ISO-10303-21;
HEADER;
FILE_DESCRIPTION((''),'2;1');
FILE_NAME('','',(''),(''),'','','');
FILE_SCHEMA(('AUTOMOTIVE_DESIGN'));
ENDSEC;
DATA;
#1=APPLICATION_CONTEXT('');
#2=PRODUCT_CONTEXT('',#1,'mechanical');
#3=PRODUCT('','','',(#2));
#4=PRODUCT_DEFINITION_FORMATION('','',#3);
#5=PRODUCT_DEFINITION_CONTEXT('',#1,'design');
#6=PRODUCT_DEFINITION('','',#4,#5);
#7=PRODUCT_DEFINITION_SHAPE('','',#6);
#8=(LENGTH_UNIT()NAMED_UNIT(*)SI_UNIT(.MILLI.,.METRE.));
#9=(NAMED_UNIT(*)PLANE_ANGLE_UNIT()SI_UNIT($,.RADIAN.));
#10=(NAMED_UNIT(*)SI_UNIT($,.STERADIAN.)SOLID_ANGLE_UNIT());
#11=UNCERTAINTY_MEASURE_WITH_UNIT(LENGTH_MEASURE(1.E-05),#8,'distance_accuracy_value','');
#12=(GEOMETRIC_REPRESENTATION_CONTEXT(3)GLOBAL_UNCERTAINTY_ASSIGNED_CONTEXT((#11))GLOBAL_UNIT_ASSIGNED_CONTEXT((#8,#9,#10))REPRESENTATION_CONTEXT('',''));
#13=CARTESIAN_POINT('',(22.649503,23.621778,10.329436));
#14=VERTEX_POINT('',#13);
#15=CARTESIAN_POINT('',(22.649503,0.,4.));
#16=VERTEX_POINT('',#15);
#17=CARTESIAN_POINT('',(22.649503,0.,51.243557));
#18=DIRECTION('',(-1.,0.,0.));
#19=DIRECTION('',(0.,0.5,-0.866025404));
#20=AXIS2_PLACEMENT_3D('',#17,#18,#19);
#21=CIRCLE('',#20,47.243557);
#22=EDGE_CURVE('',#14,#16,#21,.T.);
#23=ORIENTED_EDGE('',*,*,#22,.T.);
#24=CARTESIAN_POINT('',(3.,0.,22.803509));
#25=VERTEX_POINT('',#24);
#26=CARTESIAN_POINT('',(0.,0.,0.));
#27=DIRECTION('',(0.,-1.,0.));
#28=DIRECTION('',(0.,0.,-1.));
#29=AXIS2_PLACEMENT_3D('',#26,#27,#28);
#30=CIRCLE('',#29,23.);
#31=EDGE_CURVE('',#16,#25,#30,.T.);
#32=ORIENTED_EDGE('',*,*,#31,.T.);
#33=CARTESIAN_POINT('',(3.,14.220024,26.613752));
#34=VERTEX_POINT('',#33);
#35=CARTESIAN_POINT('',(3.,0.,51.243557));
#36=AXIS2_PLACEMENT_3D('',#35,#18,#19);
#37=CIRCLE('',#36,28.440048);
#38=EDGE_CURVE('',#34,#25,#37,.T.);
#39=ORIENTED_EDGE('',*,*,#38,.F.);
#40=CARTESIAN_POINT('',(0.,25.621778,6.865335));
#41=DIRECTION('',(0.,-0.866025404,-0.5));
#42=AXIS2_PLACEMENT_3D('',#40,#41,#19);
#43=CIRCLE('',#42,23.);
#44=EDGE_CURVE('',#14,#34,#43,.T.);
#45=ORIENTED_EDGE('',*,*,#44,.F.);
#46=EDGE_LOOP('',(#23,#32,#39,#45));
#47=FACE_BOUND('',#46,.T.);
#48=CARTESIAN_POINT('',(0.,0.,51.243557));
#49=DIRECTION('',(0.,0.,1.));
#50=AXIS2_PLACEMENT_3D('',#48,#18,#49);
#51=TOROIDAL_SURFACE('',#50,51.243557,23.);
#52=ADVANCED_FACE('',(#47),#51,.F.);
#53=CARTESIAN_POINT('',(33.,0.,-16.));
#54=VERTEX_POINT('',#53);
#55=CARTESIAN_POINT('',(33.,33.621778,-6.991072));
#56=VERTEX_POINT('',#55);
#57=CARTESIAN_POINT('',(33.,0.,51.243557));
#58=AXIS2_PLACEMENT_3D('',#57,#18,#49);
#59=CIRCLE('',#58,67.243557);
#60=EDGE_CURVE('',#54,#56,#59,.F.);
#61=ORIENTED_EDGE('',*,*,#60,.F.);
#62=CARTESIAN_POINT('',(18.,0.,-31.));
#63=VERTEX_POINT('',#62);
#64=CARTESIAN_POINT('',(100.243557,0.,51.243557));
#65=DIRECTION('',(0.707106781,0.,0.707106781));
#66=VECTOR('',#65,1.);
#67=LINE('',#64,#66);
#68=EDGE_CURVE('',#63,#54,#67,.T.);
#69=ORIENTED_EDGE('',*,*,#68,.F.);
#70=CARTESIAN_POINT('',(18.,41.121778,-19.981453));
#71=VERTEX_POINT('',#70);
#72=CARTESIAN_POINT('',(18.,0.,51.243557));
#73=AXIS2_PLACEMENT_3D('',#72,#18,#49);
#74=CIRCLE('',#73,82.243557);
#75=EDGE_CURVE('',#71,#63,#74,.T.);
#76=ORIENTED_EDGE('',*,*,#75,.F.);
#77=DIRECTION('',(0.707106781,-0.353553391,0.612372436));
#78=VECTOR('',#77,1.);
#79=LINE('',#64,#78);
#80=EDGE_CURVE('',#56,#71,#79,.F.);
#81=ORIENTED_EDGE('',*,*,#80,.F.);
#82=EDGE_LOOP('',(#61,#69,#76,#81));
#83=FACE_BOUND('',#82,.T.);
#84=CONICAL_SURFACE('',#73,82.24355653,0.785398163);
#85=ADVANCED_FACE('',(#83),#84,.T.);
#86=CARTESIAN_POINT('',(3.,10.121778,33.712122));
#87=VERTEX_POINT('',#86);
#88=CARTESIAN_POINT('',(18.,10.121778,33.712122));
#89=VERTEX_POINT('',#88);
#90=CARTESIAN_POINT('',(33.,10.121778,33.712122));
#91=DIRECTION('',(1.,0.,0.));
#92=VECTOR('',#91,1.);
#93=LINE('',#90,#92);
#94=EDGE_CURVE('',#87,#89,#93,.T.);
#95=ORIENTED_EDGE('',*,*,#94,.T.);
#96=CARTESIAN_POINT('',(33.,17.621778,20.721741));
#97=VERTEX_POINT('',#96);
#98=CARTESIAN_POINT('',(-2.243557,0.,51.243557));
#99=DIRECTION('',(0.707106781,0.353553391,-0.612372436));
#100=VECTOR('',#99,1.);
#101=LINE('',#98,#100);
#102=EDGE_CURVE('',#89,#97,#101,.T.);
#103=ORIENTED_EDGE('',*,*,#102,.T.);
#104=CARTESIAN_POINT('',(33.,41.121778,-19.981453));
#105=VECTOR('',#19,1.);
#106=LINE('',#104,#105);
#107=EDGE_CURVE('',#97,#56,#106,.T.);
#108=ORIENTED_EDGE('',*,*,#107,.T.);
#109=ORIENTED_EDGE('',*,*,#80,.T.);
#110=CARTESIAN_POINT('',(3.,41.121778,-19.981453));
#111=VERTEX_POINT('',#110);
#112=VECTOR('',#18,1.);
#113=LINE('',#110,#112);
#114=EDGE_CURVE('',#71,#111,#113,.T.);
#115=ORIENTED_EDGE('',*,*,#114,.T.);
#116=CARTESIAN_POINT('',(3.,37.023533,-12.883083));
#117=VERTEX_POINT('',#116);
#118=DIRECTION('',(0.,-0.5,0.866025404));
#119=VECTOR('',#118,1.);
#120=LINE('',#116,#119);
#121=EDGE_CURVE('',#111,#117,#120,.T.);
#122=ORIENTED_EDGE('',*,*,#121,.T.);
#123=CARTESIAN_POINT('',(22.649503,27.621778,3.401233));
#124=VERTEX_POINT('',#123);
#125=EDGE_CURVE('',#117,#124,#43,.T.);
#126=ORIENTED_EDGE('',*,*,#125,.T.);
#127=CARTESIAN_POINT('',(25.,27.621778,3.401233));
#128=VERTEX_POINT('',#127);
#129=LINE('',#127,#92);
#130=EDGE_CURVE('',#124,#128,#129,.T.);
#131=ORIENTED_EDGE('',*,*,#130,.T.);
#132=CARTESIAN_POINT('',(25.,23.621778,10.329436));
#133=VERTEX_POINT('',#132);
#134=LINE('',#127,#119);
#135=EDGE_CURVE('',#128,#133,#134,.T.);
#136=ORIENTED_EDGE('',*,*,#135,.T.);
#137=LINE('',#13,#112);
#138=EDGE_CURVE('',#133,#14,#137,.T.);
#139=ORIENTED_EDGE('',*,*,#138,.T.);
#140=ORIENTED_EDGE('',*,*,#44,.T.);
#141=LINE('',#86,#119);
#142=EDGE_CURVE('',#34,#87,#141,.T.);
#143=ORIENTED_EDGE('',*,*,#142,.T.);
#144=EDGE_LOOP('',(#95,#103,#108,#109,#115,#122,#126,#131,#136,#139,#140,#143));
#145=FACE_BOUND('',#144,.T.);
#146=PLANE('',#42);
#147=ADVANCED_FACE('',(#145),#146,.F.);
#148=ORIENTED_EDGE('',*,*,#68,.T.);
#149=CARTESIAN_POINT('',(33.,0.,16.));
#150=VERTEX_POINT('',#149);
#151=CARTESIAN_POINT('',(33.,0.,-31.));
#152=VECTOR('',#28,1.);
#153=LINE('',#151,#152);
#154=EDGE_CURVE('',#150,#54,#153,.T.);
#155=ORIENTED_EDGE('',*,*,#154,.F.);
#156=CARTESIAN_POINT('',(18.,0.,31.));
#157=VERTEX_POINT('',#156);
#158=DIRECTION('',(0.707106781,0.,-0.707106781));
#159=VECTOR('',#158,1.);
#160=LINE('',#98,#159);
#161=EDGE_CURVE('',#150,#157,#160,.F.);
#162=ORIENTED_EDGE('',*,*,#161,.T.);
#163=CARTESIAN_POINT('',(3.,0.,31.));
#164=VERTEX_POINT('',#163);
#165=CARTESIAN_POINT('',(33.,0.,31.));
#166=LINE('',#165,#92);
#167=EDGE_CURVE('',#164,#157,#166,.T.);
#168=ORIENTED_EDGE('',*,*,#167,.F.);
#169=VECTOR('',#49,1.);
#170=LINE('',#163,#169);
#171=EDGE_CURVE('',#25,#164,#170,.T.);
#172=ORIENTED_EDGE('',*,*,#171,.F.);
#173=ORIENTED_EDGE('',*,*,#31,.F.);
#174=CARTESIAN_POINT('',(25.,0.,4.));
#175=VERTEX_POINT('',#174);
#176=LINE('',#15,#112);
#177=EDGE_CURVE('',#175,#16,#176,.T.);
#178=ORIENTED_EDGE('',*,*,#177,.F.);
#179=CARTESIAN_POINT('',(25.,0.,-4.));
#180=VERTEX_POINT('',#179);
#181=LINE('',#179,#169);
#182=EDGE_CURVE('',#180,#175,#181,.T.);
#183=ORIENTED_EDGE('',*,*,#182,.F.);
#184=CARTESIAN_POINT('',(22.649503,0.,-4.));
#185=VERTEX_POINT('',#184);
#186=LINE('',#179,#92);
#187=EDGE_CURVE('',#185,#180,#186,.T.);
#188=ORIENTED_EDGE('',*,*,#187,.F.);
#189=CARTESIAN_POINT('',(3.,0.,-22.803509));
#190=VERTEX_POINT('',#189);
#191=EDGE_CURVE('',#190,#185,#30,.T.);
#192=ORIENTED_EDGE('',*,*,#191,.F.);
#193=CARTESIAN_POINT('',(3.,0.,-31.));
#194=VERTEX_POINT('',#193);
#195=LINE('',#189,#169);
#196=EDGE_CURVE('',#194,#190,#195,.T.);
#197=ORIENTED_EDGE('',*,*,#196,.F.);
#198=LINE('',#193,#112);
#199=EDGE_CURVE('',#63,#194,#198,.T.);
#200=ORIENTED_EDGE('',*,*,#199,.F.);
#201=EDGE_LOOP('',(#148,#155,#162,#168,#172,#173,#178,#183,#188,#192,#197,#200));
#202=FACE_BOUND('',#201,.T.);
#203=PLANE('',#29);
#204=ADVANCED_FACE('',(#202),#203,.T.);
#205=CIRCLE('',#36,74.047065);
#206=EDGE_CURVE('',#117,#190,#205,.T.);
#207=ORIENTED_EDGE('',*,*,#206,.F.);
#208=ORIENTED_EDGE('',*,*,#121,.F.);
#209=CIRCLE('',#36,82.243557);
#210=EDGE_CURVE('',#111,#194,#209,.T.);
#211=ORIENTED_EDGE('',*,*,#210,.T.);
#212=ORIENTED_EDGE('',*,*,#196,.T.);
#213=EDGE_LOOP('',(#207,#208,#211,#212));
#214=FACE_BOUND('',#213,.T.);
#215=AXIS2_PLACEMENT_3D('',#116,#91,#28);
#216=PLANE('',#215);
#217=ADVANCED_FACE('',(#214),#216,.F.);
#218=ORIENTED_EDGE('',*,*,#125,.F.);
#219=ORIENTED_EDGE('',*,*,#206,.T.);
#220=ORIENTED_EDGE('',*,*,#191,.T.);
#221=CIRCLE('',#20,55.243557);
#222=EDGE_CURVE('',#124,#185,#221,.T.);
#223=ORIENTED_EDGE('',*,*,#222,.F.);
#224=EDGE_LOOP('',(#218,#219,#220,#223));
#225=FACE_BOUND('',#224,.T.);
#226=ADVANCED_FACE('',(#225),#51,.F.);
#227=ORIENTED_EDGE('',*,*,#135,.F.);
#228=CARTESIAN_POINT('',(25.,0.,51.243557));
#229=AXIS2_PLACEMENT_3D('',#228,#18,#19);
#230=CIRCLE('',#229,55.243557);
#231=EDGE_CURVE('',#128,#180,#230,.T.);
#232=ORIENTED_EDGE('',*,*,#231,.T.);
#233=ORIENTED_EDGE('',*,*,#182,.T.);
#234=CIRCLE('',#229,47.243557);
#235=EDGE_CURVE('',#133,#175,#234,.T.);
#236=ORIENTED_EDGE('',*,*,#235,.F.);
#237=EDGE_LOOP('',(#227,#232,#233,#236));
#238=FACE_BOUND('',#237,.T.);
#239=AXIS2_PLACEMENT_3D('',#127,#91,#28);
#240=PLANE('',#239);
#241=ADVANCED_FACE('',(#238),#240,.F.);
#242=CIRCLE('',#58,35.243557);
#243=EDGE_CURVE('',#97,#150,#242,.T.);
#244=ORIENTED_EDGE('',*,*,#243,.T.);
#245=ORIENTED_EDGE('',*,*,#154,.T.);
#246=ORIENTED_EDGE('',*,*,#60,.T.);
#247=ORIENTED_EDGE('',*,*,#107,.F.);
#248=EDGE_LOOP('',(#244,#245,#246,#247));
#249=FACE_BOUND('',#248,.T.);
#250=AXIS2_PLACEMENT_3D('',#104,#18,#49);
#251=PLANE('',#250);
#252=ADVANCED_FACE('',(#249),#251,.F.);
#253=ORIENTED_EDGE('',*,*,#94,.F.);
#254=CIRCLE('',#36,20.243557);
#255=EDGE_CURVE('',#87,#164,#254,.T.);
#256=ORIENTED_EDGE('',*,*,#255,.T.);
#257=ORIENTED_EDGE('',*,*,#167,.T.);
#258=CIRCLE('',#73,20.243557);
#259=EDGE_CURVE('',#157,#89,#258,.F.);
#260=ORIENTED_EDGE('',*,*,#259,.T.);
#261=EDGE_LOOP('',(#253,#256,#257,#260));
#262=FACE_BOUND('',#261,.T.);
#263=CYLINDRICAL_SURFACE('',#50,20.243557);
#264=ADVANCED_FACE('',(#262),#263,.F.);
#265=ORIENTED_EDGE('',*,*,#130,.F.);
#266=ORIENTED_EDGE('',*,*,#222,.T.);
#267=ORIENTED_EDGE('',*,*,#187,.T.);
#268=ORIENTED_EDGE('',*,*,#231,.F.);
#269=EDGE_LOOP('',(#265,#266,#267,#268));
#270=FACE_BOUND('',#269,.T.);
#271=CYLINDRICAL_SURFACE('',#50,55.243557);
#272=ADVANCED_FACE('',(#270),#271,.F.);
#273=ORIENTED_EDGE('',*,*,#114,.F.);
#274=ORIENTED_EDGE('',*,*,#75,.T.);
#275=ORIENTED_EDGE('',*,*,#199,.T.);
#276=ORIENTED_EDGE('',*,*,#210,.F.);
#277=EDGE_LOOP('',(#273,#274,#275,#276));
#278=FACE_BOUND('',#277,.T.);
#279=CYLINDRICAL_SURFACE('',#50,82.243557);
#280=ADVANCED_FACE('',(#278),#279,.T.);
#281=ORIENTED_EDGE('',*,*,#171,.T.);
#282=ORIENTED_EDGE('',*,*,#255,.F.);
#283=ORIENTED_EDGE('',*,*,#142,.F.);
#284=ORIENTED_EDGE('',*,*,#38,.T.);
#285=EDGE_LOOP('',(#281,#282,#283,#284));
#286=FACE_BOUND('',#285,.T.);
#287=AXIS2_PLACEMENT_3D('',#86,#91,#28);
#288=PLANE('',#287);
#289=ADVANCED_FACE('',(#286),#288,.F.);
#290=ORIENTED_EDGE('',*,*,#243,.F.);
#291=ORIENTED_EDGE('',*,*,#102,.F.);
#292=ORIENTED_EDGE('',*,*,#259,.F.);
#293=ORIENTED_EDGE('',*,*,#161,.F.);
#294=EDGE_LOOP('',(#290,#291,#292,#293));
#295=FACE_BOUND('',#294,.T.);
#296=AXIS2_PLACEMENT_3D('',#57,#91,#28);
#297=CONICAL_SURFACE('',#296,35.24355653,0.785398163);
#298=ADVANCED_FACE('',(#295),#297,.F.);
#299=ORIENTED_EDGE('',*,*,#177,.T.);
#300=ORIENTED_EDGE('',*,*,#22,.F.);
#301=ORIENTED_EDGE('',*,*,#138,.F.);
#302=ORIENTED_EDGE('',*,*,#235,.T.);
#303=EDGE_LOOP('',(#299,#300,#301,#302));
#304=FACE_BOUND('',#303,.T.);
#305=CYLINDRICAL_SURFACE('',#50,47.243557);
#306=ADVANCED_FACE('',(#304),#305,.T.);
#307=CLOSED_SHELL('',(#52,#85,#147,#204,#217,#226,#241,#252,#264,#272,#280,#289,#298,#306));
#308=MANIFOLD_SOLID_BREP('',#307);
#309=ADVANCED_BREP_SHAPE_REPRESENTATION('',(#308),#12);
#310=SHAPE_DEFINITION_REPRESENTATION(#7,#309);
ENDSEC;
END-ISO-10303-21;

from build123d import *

# Parameters (mm, degrees)
CHAMFER1_SIZE = 15


with BuildPart() as part:
    # Sweep3: sweep along a path in Sketch1
    with BuildLine(Plane(origin=(0, 0, 0), x_dir=(0, 0, -1), z_dir=(1, 0, 0))) as sweep3_path:
        ThreePointArc((-6.865334795, 25.621778265), (-1.746081847, 13.262808369), (0, 0))
    # Sketch2 → Sweep3 (sweep)
    with BuildSketch(Plane(origin=(0, 0, 0), x_dir=(1, 0, 0), z_dir=(0, 1, 0))):
        with BuildLine():
            Line((3, 22.803508502), (3, 31))
            Line((3, 31), (33, 31))
            Line((33, 31), (33, -31))
            Line((33, -31), (3, -31))
            Line((3, -31), (3, -22.803508502))
            ThreePointArc((3, -22.803508502), (15.901799834, -16.617242913), (22.649503306, -4))
            Line((22.649503306, -4), (25, -4))
            Line((25, -4), (25, 4))
            Line((25, 4), (22.649503306, 4))
            ThreePointArc((22.649503306, 4), (15.901799834, 16.617242913), (3, 22.803508502))
        make_face()
    sweep(path=sweep3_path.line)

    # Chamfer1
    chamfer1_edges = [part.edges().sort_by_distance(p)[0] for p in [
        (33, 5.239417971, 31.689782462),
        (33, 21.286198767, -28.197618768),
    ]]
    chamfer(chamfer1_edges, length=CHAMFER1_SIZE)


solid = part.part
